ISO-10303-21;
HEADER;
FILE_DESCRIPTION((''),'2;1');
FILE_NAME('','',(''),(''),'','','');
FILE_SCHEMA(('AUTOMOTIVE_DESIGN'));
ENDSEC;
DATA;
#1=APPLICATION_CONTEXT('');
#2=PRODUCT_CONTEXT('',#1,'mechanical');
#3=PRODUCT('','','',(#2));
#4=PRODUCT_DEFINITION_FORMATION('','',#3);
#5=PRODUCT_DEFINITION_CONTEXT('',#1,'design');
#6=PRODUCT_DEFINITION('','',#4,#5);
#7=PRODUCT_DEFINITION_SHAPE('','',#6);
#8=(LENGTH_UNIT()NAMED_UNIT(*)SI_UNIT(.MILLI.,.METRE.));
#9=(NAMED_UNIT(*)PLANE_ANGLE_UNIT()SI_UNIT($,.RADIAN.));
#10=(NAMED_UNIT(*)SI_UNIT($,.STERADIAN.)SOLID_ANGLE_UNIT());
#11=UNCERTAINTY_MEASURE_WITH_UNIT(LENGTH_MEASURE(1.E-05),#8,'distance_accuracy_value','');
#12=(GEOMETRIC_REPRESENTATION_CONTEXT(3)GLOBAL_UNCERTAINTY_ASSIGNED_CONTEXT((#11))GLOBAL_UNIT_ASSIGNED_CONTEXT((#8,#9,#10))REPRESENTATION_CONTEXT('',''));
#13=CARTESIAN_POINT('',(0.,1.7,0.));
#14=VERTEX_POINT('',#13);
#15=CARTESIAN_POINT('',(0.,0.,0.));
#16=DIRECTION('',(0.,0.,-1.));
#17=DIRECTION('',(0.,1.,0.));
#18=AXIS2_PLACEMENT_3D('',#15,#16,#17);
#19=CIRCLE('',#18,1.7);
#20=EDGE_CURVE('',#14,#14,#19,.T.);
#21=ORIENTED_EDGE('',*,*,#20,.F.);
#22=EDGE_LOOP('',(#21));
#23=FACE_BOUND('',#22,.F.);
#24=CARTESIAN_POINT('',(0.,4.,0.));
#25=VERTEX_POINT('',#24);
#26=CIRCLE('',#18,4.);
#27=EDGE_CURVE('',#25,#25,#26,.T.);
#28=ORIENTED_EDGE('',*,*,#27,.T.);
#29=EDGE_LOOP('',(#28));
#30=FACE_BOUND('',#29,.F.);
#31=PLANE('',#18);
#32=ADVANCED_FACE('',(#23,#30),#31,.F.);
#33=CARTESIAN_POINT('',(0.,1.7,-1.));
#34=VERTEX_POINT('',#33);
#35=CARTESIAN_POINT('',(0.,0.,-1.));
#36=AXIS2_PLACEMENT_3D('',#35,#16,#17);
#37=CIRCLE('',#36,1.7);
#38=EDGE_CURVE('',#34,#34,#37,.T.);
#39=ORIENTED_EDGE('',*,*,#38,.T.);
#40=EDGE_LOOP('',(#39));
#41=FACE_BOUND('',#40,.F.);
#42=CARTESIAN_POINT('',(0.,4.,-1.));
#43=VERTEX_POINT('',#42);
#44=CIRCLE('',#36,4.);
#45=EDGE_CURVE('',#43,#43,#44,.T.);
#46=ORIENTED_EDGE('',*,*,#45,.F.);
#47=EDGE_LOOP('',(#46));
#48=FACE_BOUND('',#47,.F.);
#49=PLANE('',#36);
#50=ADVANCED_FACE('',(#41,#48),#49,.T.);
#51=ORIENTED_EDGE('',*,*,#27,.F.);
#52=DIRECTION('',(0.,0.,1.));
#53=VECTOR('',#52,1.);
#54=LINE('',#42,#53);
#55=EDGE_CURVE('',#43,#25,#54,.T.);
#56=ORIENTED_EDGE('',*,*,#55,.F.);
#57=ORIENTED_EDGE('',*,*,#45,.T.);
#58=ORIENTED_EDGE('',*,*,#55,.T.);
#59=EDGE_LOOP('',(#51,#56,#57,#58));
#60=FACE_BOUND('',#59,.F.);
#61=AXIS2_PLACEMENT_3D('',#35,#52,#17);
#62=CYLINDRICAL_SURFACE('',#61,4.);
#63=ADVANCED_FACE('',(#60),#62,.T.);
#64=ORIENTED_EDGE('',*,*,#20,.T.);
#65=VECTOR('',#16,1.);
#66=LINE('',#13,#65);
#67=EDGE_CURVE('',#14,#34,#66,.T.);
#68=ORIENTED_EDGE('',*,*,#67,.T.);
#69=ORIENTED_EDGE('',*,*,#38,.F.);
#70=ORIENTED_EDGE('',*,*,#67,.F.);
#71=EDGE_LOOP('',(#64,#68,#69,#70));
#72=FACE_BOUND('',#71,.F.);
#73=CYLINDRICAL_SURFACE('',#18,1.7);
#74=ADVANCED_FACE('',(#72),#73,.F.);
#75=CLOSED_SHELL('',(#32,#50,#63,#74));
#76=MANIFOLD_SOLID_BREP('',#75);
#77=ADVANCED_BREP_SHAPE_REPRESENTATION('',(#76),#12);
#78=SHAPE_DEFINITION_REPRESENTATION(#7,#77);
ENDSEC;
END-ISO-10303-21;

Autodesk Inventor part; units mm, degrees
sketch "Sketch_1" plane through (0, 0, 0) normal (1, 0, 0) x (0, 1, 0)
  line L0 (0, -1) -> (0, 0)
  line L1 (4, 0) -> (1.7, 0)
  line L2 (1.7, 0) -> (1.7, -1)
  line L3 (1.7, -1) -> (4, -1)
  line L4 (4, -1) -> (4, 0)
revolve "Revolution1" add sketch "Sketch_1" angle 360 about axis through (0, 0, -1) along (0, 0, -1)
ref_plane "C1_XY" through (0, 0, 0) normal (0, 0, -1) x (1, 0, 0)
ref_plane "C1_YZ" through (0, 0, 0) normal (1, 0, 0) x (0, -1, 0)
ref_plane "C1_ZX" through (0, 0, 0) normal (0, -1, 0) x (0, 0, -1)
properties part number "PACK-PWFN3"
